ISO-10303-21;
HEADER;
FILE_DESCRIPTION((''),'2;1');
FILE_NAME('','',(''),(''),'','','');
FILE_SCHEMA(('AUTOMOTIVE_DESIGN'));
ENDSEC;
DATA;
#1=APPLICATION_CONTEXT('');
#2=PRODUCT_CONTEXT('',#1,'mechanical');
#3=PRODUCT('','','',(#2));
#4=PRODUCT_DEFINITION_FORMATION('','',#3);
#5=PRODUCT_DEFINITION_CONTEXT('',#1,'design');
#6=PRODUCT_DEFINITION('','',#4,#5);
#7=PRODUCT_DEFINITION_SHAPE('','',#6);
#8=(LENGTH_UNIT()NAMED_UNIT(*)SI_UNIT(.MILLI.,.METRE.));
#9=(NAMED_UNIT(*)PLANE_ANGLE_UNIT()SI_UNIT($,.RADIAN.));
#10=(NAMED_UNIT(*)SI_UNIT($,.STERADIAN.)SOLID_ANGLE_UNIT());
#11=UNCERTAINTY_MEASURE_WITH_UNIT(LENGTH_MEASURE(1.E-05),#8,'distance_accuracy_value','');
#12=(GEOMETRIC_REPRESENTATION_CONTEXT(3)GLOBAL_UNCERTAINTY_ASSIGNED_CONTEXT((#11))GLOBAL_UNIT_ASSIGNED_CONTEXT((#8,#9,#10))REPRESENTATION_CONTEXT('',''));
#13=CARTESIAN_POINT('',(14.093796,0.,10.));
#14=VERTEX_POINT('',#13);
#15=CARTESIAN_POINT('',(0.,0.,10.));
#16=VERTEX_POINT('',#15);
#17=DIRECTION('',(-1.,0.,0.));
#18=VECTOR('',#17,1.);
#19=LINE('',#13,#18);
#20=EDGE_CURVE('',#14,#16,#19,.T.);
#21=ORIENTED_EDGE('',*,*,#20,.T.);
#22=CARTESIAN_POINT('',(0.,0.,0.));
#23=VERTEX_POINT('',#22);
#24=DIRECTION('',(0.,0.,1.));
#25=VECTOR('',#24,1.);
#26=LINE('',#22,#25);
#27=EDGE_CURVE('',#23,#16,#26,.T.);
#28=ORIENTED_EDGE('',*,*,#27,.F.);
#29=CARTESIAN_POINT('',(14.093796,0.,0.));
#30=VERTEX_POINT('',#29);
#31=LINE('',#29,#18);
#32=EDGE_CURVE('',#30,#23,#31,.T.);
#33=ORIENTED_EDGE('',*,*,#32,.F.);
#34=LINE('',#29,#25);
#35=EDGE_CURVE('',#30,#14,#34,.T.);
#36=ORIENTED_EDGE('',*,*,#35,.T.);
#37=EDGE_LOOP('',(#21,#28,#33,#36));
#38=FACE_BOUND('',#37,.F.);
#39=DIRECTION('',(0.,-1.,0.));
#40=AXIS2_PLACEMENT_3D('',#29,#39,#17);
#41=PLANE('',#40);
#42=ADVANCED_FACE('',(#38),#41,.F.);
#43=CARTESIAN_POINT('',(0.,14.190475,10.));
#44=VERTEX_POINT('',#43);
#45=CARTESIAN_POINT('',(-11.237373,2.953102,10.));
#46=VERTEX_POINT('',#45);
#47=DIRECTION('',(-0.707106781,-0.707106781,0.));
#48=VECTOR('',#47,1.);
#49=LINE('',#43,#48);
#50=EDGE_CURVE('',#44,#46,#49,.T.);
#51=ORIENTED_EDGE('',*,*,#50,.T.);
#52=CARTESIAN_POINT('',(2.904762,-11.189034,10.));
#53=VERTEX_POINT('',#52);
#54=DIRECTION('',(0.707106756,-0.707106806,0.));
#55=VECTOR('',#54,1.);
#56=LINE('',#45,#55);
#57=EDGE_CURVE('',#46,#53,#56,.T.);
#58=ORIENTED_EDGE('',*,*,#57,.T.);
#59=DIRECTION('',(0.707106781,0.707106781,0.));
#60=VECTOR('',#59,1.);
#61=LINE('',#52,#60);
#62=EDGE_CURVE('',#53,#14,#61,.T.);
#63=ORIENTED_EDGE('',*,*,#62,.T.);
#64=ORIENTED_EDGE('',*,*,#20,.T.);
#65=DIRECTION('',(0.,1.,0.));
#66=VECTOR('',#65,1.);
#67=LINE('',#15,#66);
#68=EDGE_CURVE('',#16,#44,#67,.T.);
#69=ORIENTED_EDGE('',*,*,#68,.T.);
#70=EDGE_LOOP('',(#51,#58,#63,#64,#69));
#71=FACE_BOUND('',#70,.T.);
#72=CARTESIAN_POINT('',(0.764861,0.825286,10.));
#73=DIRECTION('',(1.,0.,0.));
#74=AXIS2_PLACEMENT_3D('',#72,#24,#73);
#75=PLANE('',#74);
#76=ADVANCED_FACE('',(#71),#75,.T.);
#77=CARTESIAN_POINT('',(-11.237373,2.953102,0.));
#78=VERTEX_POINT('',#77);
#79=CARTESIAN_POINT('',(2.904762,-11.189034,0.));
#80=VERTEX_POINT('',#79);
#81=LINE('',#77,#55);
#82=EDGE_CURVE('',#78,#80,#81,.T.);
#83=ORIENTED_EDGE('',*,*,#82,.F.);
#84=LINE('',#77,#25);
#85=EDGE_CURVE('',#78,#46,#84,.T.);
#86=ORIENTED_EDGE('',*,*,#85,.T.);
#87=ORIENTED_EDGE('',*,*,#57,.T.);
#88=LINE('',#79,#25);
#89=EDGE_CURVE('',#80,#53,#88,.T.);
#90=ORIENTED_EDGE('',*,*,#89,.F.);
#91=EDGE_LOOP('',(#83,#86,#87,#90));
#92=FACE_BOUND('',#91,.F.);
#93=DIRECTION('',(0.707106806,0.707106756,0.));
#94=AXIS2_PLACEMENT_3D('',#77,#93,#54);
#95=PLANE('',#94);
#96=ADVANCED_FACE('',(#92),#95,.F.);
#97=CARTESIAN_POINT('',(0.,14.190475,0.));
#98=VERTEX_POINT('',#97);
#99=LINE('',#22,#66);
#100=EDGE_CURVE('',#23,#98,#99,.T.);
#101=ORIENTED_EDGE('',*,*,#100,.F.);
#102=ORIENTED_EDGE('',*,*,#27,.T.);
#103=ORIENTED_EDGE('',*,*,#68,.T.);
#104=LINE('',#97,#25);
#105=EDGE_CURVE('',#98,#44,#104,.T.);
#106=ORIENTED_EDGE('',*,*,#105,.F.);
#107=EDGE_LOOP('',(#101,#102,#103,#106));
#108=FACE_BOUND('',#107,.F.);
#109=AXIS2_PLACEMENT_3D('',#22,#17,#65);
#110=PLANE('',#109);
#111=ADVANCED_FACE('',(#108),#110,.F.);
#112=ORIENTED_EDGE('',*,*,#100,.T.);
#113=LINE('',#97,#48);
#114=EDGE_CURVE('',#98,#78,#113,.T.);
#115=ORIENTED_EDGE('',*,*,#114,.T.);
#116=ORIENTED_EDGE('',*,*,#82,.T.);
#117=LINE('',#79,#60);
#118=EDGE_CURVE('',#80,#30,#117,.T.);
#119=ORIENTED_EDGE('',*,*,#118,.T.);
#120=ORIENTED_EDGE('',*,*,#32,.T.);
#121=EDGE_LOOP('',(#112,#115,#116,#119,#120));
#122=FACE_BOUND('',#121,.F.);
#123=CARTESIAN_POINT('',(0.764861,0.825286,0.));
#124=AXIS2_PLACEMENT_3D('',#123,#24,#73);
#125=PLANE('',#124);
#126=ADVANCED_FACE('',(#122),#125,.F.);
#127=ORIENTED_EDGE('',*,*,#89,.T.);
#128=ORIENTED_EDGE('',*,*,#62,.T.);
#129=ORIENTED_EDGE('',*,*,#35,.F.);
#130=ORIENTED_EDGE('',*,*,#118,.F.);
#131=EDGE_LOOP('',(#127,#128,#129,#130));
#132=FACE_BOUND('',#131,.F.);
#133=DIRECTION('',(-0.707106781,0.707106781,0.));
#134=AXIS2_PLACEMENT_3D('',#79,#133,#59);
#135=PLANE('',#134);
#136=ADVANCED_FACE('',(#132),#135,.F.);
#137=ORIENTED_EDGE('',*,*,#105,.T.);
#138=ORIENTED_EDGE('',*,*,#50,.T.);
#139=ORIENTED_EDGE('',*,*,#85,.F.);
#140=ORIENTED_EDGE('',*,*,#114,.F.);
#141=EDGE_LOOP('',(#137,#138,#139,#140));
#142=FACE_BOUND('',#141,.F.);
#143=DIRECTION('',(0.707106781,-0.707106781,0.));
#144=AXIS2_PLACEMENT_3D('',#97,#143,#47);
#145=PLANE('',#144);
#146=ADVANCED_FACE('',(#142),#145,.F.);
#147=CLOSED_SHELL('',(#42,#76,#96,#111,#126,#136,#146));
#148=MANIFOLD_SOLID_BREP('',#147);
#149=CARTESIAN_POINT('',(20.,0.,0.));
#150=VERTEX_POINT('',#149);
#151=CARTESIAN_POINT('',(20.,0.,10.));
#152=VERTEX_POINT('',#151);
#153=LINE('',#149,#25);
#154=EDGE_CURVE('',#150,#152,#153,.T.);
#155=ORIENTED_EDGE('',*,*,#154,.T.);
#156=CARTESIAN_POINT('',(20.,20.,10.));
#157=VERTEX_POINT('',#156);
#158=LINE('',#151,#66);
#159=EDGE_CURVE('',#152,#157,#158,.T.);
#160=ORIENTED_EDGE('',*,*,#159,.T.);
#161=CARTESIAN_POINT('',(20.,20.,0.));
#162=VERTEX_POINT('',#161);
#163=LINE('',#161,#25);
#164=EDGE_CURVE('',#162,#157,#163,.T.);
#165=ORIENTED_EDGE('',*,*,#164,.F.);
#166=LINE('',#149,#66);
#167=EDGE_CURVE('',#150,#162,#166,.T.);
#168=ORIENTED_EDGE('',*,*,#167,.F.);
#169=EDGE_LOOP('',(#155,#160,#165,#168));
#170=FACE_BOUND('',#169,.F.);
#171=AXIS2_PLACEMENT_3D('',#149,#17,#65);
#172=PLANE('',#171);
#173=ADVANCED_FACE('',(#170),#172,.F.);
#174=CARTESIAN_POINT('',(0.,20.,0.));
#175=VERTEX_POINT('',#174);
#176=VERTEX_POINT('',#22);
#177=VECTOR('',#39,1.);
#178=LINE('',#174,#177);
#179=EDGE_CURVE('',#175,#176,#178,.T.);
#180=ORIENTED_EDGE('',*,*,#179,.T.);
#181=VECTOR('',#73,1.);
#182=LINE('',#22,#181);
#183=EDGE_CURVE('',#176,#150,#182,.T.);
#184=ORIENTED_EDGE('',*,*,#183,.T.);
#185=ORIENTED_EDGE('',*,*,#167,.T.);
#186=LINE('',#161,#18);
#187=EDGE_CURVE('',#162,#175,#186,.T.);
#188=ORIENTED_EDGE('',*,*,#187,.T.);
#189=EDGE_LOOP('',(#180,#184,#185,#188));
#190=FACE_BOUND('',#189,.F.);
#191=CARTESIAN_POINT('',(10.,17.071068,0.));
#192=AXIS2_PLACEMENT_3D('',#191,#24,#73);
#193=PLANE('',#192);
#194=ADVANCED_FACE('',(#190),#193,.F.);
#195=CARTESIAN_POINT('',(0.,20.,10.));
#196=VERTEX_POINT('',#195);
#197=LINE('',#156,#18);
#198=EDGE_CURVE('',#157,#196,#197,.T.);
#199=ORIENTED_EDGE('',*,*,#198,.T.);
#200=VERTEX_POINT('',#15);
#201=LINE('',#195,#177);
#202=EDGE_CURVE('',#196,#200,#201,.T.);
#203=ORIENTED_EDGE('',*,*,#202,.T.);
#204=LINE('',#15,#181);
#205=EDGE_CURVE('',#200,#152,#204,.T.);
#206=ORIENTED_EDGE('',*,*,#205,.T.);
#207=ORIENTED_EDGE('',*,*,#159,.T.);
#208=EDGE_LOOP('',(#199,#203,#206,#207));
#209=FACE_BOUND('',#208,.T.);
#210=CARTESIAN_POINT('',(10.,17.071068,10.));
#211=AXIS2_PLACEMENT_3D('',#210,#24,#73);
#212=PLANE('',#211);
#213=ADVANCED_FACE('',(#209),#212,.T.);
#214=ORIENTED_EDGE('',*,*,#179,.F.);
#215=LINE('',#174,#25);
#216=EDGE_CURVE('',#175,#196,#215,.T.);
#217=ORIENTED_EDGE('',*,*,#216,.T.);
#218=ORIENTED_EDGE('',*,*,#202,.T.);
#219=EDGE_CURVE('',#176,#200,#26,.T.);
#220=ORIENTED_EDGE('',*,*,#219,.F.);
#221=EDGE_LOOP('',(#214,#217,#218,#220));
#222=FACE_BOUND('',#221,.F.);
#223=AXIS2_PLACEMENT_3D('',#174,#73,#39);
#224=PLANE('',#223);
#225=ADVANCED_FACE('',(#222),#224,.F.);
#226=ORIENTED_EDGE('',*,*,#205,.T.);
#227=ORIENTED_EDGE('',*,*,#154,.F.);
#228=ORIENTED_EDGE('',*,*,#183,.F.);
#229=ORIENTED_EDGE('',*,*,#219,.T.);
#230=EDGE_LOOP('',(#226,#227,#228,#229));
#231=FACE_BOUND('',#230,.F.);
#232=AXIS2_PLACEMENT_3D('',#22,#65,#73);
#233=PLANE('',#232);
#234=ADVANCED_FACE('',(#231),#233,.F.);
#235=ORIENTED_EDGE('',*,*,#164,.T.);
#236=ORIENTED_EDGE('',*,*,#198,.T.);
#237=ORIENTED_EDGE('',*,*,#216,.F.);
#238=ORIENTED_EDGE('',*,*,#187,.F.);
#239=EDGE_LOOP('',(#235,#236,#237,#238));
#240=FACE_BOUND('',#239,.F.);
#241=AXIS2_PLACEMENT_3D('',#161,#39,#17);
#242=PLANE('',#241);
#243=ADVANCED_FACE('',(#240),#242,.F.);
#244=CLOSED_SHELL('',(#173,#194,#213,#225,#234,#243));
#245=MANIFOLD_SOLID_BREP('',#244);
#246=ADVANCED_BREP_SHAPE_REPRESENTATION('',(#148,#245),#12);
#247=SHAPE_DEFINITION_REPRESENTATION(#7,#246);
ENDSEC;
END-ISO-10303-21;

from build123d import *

# Parameters (mm, degrees)
F1_DEPTH = 10
F2_DEPTH = 10


with BuildPart() as f1:
    # F0 (on Top) → F1 (new body)
    with BuildSketch(Plane.XY):
        Polygon((20, 20), (0, 20), (2.904762, 17.095238), (10, 10), align=None)
        Polygon((2.904762, 17.095238), (0, 14.190475), (0, 0), (10, 10), align=None)
        Polygon((2.904762, 17.095238), (0, 20), (0, 14.190475), align=None)
        Polygon((17.046898, 2.953102), (10, 10), (0, 0), (14.093796, 0), align=None)
        Polygon((14.093796, 0), (20, 0), (17.046898, 2.953102), align=None)
        Polygon((20, 0), (20, 20), (10, 10), (17.046898, 2.953102), align=None)
    extrude(amount=F1_DEPTH)


with BuildPart() as f2:
    # F0 (on Top) → F2 (new body)
    with BuildSketch(Plane.XY):
        Polygon((0, 0), (0, 14.190475), (-11.237373, 2.953102), (2.904762, -11.189034), (14.093796, 0), align=None)
    extrude(amount=F2_DEPTH)


solid = Compound([f1.part, f2.part])
